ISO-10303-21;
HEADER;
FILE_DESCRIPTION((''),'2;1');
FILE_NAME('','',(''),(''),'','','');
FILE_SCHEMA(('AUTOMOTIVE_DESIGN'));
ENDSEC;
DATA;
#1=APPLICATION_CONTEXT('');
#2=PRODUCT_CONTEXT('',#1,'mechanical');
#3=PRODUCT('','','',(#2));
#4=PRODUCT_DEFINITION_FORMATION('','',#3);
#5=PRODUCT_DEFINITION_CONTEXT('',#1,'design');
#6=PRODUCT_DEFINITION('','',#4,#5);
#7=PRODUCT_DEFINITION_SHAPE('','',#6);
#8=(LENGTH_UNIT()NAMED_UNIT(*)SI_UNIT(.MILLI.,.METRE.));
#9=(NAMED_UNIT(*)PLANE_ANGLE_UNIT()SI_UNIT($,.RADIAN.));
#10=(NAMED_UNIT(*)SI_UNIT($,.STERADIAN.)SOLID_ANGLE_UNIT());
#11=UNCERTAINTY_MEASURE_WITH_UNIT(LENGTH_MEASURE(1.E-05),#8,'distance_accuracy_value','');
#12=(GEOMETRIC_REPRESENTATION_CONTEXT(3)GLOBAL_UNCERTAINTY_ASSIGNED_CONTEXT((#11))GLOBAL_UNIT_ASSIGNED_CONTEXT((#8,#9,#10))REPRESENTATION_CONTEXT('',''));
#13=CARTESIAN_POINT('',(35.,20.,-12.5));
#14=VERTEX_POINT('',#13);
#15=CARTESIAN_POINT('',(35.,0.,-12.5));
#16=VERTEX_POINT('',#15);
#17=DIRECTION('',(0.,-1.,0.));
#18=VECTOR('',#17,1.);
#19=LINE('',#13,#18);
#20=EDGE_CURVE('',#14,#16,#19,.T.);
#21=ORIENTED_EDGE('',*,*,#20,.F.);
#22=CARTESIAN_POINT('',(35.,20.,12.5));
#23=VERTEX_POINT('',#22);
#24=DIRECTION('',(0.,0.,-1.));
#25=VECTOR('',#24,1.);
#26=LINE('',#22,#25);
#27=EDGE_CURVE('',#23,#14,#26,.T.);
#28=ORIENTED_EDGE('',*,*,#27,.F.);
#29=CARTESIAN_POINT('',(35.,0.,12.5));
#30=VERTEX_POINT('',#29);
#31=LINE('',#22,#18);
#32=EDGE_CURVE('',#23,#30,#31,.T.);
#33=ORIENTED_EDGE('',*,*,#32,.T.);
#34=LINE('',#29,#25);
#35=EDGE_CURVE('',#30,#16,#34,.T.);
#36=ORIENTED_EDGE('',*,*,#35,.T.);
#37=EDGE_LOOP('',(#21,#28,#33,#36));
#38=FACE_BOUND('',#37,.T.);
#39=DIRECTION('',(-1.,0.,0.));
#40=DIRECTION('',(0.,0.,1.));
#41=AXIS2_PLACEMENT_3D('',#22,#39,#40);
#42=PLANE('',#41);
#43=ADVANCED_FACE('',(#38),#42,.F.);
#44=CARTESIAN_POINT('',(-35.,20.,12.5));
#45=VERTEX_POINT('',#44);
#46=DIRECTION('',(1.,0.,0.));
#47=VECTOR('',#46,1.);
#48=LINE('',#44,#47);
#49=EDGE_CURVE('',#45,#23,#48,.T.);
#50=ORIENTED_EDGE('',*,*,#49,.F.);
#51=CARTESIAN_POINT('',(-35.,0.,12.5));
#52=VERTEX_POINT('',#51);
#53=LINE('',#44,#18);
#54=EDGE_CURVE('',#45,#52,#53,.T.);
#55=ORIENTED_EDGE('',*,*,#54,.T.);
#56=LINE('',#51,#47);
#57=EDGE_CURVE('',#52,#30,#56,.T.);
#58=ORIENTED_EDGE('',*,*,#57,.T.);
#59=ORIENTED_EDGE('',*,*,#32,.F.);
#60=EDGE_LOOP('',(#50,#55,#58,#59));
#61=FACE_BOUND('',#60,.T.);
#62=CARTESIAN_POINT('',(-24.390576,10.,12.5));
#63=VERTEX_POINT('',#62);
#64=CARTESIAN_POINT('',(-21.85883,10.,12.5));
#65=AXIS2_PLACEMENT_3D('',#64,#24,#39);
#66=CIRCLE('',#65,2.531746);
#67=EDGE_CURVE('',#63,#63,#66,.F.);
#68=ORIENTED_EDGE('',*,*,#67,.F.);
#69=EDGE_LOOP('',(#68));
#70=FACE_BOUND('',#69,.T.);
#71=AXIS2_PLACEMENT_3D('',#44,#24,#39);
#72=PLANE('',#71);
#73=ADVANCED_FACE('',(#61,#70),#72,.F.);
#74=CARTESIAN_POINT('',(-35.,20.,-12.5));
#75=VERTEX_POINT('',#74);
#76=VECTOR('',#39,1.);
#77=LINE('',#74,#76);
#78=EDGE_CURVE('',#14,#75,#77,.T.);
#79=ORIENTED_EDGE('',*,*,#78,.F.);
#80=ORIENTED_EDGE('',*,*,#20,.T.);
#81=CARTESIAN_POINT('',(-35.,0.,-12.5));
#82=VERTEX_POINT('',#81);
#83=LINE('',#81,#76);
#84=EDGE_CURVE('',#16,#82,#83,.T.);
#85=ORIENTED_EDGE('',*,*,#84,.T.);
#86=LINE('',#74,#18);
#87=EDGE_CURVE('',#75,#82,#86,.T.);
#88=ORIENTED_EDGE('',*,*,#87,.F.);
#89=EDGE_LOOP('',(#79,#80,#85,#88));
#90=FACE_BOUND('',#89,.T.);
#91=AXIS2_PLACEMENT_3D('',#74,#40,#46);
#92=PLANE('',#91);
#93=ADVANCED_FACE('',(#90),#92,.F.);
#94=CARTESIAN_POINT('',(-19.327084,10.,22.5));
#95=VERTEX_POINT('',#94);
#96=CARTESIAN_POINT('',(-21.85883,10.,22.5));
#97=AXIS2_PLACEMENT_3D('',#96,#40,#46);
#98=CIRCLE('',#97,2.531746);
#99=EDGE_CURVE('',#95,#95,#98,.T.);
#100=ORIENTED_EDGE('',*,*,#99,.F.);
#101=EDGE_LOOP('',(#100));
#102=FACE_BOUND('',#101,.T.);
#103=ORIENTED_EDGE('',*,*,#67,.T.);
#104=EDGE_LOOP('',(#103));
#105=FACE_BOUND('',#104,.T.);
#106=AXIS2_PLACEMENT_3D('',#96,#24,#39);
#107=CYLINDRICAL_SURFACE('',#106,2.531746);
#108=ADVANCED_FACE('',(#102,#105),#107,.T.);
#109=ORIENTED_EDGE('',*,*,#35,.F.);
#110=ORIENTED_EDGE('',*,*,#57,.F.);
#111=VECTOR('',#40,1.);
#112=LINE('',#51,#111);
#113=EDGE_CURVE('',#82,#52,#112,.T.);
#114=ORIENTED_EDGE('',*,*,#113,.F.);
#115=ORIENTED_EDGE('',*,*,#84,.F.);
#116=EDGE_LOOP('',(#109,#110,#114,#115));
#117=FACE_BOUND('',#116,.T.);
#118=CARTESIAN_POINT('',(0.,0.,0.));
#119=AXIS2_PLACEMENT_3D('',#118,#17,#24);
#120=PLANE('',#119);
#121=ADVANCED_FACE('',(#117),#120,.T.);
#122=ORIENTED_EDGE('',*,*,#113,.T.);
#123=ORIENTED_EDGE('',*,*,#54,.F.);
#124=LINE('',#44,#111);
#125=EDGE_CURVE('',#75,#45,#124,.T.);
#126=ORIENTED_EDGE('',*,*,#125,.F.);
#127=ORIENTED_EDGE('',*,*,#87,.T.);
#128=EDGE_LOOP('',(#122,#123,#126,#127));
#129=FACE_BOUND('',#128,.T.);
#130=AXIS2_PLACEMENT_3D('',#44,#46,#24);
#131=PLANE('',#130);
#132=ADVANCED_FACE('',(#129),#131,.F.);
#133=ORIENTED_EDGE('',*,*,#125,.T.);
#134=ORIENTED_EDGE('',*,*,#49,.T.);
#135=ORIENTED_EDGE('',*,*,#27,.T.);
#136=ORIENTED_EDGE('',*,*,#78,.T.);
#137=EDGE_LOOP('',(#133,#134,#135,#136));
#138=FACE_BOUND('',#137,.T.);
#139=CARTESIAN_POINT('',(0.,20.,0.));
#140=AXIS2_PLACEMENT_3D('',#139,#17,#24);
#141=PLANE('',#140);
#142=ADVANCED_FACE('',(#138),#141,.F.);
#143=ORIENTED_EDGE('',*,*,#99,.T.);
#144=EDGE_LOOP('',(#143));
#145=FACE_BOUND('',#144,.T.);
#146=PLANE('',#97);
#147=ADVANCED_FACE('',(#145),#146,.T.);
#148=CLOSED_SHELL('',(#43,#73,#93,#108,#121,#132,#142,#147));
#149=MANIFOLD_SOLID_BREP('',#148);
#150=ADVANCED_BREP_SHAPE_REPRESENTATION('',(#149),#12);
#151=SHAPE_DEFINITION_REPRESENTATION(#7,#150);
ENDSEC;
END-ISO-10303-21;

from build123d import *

# Parameters (mm, degrees)
SKETCH1_W           = 70
SKETCH1_H           = 25
BOSS_EXTRUDE1_DEPTH = 20
SKETCH2_R           = 2.531745952
BOSS_EXTRUDE2_DEPTH = 10


with BuildPart() as part:
    # Sketch1 → Boss-Extrude1 (new body)
    with BuildSketch(Plane(origin=(0, 0, 0), x_dir=(1, 0, 0), z_dir=(0, 1, 0))):
        Rectangle(SKETCH1_W, SKETCH1_H)
    extrude(amount=BOSS_EXTRUDE1_DEPTH)

    # Sketch2 → Boss-Extrude2 (add)
    with BuildSketch(Plane.XY.offset(12.5)):
        with Locations((-21.858830372, 10)):
            Circle(SKETCH2_R)
    extrude(amount=BOSS_EXTRUDE2_DEPTH)


solid = part.part
